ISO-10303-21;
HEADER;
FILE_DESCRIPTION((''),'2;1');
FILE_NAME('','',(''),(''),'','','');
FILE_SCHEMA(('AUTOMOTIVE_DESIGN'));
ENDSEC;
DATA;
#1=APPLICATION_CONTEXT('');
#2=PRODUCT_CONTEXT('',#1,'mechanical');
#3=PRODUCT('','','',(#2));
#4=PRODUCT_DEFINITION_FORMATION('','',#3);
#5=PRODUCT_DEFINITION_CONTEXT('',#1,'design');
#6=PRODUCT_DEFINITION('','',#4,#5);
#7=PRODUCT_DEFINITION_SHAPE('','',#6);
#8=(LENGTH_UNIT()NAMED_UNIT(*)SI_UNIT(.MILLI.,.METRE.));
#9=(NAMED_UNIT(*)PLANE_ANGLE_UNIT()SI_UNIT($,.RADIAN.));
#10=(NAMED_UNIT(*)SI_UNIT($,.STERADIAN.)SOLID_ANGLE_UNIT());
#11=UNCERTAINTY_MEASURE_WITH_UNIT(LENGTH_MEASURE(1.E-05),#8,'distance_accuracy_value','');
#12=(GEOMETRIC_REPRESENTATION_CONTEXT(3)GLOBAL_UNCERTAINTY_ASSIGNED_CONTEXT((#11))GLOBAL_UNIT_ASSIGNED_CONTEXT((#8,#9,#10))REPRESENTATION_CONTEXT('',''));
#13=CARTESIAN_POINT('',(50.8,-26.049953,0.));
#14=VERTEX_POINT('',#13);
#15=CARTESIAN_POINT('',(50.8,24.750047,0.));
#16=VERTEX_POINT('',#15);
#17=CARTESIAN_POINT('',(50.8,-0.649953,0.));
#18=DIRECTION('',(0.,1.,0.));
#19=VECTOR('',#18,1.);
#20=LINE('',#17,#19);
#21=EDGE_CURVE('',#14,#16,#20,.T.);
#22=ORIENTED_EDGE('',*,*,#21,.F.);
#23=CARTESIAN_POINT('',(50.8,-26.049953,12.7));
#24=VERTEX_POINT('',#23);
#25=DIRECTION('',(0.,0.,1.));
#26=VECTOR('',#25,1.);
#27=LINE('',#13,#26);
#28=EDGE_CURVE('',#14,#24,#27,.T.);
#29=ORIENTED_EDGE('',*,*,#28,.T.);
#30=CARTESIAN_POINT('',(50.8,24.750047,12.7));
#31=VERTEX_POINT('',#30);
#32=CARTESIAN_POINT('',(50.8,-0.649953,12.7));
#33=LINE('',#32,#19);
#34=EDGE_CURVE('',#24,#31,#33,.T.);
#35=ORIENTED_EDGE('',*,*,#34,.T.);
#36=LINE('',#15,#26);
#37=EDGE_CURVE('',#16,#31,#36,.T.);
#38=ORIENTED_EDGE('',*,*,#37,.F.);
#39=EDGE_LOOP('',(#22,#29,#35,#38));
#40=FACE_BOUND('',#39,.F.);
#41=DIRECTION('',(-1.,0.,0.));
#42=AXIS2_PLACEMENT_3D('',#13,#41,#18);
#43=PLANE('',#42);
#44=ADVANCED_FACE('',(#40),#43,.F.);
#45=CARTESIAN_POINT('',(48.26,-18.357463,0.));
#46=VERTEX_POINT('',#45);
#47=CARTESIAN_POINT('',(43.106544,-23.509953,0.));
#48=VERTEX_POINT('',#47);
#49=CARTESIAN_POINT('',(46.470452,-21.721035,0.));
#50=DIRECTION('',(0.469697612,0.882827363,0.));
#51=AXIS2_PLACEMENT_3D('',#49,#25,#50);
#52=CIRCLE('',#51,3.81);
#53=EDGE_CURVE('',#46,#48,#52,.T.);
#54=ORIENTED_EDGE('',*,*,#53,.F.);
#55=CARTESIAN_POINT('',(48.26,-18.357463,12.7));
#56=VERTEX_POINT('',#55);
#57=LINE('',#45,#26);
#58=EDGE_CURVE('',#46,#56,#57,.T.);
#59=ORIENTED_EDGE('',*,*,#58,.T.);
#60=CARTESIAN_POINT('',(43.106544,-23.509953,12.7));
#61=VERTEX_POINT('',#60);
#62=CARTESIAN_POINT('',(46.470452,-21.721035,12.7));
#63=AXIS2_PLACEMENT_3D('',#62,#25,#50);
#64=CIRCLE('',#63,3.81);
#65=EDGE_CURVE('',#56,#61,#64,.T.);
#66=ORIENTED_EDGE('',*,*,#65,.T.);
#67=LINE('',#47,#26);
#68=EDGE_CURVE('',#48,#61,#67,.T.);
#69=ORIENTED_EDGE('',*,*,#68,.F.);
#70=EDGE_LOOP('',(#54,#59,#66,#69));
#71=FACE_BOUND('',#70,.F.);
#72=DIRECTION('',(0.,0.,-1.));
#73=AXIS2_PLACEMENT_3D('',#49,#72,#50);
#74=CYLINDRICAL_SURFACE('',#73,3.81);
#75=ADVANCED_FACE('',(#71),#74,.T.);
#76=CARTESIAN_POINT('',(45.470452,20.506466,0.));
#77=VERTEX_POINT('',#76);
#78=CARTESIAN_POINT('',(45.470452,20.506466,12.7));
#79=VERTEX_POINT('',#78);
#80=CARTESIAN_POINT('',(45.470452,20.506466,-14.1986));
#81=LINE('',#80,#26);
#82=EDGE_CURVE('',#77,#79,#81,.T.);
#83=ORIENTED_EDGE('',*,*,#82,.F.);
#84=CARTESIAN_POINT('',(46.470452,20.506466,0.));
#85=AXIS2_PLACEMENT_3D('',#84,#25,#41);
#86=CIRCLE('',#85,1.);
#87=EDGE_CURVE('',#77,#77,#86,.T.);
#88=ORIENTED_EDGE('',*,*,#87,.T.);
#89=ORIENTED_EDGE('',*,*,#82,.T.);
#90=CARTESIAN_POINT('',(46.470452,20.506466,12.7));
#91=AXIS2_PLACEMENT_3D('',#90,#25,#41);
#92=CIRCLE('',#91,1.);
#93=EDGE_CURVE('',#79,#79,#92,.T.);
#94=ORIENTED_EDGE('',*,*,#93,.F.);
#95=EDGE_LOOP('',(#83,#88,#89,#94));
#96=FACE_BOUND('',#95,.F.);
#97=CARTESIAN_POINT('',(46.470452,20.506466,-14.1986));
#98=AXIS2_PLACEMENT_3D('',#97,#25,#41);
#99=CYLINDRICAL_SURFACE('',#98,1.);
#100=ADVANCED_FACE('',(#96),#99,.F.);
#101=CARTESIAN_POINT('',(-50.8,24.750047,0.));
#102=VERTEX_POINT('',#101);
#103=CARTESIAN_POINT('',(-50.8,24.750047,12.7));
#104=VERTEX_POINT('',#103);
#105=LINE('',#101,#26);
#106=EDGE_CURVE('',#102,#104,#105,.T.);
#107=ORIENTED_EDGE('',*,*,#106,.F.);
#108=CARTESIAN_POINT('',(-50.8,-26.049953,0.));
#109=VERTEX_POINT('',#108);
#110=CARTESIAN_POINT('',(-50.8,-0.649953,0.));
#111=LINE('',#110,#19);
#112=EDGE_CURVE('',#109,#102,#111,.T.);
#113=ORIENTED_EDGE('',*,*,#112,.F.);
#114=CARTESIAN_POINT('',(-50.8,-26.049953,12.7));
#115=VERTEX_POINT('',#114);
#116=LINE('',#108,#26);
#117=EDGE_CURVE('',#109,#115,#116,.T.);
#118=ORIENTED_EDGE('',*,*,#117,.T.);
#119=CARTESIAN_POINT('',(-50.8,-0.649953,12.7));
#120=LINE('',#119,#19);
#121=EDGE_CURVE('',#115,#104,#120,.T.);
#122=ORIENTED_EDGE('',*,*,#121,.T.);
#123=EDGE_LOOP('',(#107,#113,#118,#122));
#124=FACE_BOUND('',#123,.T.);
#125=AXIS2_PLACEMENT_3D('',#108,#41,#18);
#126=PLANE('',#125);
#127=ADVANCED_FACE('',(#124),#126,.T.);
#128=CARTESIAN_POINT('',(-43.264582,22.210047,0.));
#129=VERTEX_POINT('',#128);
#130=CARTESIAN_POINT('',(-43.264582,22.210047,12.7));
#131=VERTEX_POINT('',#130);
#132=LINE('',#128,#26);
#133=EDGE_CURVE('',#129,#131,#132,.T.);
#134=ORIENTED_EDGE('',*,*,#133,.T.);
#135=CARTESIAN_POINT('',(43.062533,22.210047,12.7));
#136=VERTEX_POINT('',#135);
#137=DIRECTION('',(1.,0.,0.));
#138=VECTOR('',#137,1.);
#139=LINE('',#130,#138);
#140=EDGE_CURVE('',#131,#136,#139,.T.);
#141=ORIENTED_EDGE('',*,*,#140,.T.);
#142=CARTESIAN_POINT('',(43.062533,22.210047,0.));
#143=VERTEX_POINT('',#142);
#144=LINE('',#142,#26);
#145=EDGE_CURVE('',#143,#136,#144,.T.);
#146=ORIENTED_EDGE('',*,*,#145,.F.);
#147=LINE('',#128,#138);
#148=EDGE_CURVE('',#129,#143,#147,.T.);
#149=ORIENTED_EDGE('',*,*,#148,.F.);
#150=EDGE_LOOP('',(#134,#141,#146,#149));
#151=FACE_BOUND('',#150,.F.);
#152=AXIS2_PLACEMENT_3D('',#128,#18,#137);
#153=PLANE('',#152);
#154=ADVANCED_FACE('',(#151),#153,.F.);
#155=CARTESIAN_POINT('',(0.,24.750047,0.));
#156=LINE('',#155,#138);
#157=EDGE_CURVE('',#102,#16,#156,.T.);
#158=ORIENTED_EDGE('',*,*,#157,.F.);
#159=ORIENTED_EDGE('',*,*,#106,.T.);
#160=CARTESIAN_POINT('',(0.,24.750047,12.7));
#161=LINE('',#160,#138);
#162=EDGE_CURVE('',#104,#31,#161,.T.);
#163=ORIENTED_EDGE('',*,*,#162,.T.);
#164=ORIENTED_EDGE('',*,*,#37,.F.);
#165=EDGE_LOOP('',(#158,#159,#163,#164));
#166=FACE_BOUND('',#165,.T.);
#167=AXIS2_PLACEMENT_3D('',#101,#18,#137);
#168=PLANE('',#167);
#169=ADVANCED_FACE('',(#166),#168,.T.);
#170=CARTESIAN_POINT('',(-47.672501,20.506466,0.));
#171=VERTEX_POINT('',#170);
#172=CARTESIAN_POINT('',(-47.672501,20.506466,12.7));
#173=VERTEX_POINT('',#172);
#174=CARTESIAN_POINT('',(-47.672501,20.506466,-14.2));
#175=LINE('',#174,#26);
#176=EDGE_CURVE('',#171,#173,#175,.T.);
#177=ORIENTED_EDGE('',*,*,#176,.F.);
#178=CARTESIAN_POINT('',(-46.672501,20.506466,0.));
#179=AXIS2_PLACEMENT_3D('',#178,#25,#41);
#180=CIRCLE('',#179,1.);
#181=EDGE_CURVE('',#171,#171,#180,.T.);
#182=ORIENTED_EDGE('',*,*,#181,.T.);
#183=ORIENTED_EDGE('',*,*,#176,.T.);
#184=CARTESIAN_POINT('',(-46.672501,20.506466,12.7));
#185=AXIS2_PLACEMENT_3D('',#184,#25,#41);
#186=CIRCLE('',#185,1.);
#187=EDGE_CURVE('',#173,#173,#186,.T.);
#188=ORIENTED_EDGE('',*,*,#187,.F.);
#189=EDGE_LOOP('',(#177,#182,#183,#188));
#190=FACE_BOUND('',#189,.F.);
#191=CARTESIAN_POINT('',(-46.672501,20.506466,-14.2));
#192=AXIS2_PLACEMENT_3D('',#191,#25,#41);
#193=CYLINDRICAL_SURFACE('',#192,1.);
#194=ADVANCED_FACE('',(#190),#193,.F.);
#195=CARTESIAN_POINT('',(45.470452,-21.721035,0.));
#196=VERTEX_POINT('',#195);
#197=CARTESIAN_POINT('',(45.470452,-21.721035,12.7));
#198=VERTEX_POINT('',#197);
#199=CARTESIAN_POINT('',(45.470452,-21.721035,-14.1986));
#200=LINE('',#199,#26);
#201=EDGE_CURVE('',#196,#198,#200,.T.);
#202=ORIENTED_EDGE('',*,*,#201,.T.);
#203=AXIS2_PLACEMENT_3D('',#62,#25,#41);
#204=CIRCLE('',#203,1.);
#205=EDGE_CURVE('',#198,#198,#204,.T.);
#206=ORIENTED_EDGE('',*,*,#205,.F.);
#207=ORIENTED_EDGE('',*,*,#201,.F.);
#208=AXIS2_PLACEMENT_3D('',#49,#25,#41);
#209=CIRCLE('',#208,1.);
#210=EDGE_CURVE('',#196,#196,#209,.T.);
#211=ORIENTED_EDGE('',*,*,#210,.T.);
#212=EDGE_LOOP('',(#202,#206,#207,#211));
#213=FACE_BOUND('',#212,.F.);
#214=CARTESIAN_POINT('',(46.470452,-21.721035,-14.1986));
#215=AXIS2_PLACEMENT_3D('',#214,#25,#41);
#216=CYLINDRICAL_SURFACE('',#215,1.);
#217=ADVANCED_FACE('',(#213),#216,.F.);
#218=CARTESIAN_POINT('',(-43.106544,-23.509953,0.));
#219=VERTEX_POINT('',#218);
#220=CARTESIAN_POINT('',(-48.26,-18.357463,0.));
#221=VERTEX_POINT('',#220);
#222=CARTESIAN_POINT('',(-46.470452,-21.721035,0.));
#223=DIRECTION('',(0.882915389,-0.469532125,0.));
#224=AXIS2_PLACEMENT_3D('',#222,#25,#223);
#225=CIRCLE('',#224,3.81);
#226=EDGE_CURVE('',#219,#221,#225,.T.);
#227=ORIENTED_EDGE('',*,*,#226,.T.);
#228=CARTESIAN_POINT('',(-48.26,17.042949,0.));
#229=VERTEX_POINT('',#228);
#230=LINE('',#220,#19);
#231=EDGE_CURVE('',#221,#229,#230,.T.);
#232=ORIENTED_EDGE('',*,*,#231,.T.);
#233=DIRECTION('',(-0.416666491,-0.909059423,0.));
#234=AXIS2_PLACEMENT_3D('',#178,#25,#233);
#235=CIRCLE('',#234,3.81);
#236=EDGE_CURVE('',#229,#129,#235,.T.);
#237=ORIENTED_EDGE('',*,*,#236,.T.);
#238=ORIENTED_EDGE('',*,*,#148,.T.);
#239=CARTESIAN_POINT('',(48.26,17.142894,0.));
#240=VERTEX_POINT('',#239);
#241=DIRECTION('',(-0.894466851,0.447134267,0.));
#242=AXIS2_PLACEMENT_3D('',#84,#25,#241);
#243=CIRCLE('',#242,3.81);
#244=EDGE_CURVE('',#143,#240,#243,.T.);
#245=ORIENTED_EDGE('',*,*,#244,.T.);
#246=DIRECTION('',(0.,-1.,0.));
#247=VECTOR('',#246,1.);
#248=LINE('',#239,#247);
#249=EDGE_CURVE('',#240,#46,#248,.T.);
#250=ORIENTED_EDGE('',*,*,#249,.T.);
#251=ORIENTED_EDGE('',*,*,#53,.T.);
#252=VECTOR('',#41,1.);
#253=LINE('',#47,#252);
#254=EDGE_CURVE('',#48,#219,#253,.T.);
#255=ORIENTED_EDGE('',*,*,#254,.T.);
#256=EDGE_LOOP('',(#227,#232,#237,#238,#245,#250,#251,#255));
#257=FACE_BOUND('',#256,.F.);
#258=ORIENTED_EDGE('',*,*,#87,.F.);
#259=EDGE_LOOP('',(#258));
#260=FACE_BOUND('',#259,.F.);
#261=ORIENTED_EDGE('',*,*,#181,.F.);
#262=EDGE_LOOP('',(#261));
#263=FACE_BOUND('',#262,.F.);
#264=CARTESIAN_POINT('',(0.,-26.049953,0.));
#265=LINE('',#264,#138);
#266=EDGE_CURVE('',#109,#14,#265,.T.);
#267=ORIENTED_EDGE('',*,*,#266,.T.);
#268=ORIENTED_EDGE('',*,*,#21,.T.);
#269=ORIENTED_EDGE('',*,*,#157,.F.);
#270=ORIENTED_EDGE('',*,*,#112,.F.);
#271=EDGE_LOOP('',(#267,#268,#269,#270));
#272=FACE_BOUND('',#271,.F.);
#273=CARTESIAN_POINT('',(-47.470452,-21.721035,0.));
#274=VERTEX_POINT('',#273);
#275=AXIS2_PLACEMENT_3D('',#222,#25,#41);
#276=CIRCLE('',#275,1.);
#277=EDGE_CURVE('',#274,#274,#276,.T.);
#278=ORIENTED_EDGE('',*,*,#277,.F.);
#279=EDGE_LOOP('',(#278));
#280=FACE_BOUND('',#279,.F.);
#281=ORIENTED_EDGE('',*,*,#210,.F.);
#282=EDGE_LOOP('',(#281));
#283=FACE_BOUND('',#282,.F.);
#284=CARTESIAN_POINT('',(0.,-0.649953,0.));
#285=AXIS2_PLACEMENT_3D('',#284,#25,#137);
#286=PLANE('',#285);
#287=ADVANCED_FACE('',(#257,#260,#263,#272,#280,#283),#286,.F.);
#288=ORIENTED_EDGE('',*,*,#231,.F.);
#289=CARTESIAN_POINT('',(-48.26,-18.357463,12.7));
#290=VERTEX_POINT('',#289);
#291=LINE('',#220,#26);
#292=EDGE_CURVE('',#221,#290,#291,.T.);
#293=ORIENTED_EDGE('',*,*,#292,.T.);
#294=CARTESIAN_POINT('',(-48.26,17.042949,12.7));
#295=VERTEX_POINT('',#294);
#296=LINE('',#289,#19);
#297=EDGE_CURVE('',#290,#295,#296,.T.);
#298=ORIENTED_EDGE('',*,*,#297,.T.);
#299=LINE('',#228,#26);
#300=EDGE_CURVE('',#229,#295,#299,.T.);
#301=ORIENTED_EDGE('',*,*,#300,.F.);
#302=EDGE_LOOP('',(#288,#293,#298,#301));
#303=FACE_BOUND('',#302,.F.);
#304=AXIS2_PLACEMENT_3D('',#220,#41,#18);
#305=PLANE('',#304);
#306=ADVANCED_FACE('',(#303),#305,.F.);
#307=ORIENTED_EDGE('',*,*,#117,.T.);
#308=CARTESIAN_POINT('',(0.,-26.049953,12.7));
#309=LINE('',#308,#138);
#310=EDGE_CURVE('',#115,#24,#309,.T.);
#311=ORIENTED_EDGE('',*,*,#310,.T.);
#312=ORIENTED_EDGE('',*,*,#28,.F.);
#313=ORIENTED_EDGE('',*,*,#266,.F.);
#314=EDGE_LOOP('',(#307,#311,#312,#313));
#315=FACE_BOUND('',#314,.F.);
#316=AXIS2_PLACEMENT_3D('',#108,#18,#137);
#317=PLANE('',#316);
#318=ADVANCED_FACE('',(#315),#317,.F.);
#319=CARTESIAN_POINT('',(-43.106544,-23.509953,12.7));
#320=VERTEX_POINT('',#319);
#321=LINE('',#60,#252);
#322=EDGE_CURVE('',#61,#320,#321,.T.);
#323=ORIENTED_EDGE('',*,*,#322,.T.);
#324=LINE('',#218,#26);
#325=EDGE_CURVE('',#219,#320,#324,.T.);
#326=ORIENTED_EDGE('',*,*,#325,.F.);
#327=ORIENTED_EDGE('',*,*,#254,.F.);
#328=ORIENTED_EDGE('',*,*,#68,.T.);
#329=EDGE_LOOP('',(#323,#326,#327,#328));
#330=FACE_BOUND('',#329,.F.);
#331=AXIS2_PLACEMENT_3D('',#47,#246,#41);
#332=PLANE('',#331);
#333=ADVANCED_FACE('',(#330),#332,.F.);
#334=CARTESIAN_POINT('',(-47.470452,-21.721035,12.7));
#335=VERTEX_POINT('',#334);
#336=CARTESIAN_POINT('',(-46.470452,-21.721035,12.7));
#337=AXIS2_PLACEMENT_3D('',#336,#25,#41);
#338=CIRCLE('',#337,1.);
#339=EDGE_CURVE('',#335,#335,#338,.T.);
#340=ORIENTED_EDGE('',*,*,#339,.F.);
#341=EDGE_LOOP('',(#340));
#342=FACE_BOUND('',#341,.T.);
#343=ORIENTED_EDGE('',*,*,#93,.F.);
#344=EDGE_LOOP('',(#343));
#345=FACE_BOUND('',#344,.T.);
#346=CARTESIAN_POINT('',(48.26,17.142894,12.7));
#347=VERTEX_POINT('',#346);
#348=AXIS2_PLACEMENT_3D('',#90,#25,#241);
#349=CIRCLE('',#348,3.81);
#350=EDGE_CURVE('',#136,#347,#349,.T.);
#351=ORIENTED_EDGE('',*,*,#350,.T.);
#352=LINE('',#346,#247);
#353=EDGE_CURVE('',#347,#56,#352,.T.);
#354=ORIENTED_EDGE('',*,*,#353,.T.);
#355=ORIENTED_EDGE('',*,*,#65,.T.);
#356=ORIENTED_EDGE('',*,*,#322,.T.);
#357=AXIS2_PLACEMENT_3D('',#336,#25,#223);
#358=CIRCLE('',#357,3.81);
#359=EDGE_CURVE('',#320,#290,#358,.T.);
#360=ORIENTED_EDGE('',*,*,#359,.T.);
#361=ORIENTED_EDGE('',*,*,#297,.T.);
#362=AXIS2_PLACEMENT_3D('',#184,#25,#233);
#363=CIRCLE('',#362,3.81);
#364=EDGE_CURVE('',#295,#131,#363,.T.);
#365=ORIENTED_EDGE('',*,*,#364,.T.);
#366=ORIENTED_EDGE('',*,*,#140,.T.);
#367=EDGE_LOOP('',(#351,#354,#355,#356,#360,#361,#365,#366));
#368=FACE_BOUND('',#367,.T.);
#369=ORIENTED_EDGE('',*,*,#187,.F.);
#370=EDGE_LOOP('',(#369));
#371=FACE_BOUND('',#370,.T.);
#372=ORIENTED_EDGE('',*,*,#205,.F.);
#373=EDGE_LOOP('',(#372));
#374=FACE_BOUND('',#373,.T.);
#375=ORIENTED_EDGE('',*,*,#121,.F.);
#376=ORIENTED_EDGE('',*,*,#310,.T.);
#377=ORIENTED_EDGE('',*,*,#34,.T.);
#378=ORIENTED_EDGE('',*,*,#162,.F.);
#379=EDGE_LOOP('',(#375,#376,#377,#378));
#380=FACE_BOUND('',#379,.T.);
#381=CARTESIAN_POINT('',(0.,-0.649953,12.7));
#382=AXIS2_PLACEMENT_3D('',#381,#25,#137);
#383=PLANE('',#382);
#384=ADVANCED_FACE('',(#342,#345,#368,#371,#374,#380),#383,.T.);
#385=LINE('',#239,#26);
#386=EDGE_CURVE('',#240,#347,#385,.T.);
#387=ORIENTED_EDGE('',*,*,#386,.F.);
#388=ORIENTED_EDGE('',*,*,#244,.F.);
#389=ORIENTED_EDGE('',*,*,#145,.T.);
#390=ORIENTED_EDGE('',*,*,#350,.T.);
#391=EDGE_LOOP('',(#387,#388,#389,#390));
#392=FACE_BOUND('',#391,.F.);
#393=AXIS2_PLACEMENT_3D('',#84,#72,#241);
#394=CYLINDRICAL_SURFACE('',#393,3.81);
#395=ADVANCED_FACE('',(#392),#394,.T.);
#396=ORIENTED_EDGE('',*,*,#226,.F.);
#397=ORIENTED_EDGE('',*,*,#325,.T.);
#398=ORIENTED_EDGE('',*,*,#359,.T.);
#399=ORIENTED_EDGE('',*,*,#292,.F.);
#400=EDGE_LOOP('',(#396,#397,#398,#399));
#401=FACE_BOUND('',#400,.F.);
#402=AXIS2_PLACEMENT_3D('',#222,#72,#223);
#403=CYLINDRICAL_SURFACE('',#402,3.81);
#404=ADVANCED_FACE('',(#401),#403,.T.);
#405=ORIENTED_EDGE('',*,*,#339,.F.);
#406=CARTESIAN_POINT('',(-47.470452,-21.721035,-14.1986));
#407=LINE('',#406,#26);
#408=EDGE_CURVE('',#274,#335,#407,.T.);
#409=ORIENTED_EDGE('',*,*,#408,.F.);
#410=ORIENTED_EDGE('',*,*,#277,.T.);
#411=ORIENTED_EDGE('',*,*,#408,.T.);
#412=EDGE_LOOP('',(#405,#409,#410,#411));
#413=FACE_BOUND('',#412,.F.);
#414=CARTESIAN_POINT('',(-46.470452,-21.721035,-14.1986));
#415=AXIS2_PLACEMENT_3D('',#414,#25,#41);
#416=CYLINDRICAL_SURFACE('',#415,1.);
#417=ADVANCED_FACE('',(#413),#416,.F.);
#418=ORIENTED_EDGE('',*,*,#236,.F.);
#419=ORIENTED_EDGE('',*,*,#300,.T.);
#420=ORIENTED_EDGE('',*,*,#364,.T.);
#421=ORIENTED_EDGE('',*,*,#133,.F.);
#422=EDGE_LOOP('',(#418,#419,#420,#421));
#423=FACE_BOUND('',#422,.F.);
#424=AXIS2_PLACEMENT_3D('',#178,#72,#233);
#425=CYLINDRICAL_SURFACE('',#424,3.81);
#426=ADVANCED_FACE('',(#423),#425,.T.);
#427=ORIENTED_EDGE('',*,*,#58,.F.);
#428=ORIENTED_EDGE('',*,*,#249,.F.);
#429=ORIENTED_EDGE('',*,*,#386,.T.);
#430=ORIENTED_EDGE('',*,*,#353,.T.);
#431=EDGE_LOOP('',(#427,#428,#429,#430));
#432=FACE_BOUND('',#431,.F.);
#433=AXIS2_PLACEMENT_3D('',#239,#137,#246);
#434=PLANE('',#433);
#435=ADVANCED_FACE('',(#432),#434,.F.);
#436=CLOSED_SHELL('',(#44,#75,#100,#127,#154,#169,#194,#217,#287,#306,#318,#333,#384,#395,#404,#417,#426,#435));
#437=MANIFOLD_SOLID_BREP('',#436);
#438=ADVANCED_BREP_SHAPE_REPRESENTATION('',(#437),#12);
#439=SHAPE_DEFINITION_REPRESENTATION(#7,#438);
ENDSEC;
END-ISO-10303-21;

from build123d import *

# Parameters (mm, degrees)
F0_W     = 101.6
F0_H     = 50.8
F1_DEPTH = 12.7
F2_D     = 2
F2_DEPTH = 14.1986
F2_TIP   = 0.600860619
F3_D     = 2
F3_DEPTH = 14.1986
F3_TIP   = 0.600860619
F4_D     = 2
F4_DEPTH = 14.1986
F4_TIP   = 0.600860619
F5_D     = 2
F5_DEPTH = 14.2
F5_TIP   = 0.600860619


with BuildPart() as f1:
    # F0 (on Top) → F1 (new body)
    with BuildSketch(Plane.XY):
        with Locations((0, -0.6499526367)):
            Rectangle(F0_W, F0_H)
        with BuildLine():
            ThreePointArc((-48.26, 17.0429494041), (-43.933302429, 17.85827907), (-43.2645819675, 22.2100473633))
            Line((-43.2645819675, 22.2100473633), (43.0625333975, 22.2100473633))
            ThreePointArc((43.0625333975, 22.2100473633), (43.810791793, 17.7784065979), (48.26, 17.1428935527))
            Line((48.26, 17.1428935527), (48.26, -18.3574629872))
            ThreePointArc((48.26, -18.3574629872), (43.7766277668, -19.0267059263), (43.1065444682, -23.5099526367))
            Line((43.1065444682, -23.5099526367), (-43.1065444682, -23.5099526367))
            ThreePointArc((-43.1065444682, -23.5099526367), (-43.7766277668, -19.0267059263), (-48.26, -18.3574629872))
            Line((-48.26, -18.3574629872), (-48.26, 17.0429494041))
        make_face(mode=Mode.SUBTRACT)
    extrude(amount=F1_DEPTH)

    # F2
    with Locations(Plane(origin=(0, 0, 0), x_dir=(1, 0, 0), z_dir=(0, 0, -1))):
        with Locations((46.4704521, -20.5064658076)):
            Hole(F2_D / 2, depth=F2_DEPTH)
            with Locations((0, 0, -(F2_DEPTH + F2_TIP / 2))):  # 118° drill point
                Cone(0, F2_D / 2, F2_TIP, mode=Mode.SUBTRACT)

    # F3
    with Locations(Plane(origin=(0, 0, 0), x_dir=(1, 0, 0), z_dir=(0, 0, -1))):
        with Locations((-46.4704521, 21.7210352421)):
            Hole(F3_D / 2, depth=F3_DEPTH)
            with Locations((0, 0, -(F3_DEPTH + F3_TIP / 2))):  # 118° drill point
                Cone(0, F3_D / 2, F3_TIP, mode=Mode.SUBTRACT)

    # F4
    with Locations(Plane(origin=(0, 0, 0), x_dir=(1, 0, 0), z_dir=(0, 0, -1))):
        with Locations((46.4704521, 21.7210352421)):
            Hole(F4_D / 2, depth=F4_DEPTH)
            with Locations((0, 0, -(F4_DEPTH + F4_TIP / 2))):  # 118° drill point
                Cone(0, F4_D / 2, F4_TIP, mode=Mode.SUBTRACT)

    # F5
    with Locations(Plane(origin=(0, 0, 0), x_dir=(1, 0, 0), z_dir=(0, 0, -1))):
        with Locations((-46.67250067, -20.5064658076)):
            Hole(F5_D / 2, depth=F5_DEPTH)
            with Locations((0, 0, -(F5_DEPTH + F5_TIP / 2))):  # 118° drill point
                Cone(0, F5_D / 2, F5_TIP, mode=Mode.SUBTRACT)


solid = f1.part
